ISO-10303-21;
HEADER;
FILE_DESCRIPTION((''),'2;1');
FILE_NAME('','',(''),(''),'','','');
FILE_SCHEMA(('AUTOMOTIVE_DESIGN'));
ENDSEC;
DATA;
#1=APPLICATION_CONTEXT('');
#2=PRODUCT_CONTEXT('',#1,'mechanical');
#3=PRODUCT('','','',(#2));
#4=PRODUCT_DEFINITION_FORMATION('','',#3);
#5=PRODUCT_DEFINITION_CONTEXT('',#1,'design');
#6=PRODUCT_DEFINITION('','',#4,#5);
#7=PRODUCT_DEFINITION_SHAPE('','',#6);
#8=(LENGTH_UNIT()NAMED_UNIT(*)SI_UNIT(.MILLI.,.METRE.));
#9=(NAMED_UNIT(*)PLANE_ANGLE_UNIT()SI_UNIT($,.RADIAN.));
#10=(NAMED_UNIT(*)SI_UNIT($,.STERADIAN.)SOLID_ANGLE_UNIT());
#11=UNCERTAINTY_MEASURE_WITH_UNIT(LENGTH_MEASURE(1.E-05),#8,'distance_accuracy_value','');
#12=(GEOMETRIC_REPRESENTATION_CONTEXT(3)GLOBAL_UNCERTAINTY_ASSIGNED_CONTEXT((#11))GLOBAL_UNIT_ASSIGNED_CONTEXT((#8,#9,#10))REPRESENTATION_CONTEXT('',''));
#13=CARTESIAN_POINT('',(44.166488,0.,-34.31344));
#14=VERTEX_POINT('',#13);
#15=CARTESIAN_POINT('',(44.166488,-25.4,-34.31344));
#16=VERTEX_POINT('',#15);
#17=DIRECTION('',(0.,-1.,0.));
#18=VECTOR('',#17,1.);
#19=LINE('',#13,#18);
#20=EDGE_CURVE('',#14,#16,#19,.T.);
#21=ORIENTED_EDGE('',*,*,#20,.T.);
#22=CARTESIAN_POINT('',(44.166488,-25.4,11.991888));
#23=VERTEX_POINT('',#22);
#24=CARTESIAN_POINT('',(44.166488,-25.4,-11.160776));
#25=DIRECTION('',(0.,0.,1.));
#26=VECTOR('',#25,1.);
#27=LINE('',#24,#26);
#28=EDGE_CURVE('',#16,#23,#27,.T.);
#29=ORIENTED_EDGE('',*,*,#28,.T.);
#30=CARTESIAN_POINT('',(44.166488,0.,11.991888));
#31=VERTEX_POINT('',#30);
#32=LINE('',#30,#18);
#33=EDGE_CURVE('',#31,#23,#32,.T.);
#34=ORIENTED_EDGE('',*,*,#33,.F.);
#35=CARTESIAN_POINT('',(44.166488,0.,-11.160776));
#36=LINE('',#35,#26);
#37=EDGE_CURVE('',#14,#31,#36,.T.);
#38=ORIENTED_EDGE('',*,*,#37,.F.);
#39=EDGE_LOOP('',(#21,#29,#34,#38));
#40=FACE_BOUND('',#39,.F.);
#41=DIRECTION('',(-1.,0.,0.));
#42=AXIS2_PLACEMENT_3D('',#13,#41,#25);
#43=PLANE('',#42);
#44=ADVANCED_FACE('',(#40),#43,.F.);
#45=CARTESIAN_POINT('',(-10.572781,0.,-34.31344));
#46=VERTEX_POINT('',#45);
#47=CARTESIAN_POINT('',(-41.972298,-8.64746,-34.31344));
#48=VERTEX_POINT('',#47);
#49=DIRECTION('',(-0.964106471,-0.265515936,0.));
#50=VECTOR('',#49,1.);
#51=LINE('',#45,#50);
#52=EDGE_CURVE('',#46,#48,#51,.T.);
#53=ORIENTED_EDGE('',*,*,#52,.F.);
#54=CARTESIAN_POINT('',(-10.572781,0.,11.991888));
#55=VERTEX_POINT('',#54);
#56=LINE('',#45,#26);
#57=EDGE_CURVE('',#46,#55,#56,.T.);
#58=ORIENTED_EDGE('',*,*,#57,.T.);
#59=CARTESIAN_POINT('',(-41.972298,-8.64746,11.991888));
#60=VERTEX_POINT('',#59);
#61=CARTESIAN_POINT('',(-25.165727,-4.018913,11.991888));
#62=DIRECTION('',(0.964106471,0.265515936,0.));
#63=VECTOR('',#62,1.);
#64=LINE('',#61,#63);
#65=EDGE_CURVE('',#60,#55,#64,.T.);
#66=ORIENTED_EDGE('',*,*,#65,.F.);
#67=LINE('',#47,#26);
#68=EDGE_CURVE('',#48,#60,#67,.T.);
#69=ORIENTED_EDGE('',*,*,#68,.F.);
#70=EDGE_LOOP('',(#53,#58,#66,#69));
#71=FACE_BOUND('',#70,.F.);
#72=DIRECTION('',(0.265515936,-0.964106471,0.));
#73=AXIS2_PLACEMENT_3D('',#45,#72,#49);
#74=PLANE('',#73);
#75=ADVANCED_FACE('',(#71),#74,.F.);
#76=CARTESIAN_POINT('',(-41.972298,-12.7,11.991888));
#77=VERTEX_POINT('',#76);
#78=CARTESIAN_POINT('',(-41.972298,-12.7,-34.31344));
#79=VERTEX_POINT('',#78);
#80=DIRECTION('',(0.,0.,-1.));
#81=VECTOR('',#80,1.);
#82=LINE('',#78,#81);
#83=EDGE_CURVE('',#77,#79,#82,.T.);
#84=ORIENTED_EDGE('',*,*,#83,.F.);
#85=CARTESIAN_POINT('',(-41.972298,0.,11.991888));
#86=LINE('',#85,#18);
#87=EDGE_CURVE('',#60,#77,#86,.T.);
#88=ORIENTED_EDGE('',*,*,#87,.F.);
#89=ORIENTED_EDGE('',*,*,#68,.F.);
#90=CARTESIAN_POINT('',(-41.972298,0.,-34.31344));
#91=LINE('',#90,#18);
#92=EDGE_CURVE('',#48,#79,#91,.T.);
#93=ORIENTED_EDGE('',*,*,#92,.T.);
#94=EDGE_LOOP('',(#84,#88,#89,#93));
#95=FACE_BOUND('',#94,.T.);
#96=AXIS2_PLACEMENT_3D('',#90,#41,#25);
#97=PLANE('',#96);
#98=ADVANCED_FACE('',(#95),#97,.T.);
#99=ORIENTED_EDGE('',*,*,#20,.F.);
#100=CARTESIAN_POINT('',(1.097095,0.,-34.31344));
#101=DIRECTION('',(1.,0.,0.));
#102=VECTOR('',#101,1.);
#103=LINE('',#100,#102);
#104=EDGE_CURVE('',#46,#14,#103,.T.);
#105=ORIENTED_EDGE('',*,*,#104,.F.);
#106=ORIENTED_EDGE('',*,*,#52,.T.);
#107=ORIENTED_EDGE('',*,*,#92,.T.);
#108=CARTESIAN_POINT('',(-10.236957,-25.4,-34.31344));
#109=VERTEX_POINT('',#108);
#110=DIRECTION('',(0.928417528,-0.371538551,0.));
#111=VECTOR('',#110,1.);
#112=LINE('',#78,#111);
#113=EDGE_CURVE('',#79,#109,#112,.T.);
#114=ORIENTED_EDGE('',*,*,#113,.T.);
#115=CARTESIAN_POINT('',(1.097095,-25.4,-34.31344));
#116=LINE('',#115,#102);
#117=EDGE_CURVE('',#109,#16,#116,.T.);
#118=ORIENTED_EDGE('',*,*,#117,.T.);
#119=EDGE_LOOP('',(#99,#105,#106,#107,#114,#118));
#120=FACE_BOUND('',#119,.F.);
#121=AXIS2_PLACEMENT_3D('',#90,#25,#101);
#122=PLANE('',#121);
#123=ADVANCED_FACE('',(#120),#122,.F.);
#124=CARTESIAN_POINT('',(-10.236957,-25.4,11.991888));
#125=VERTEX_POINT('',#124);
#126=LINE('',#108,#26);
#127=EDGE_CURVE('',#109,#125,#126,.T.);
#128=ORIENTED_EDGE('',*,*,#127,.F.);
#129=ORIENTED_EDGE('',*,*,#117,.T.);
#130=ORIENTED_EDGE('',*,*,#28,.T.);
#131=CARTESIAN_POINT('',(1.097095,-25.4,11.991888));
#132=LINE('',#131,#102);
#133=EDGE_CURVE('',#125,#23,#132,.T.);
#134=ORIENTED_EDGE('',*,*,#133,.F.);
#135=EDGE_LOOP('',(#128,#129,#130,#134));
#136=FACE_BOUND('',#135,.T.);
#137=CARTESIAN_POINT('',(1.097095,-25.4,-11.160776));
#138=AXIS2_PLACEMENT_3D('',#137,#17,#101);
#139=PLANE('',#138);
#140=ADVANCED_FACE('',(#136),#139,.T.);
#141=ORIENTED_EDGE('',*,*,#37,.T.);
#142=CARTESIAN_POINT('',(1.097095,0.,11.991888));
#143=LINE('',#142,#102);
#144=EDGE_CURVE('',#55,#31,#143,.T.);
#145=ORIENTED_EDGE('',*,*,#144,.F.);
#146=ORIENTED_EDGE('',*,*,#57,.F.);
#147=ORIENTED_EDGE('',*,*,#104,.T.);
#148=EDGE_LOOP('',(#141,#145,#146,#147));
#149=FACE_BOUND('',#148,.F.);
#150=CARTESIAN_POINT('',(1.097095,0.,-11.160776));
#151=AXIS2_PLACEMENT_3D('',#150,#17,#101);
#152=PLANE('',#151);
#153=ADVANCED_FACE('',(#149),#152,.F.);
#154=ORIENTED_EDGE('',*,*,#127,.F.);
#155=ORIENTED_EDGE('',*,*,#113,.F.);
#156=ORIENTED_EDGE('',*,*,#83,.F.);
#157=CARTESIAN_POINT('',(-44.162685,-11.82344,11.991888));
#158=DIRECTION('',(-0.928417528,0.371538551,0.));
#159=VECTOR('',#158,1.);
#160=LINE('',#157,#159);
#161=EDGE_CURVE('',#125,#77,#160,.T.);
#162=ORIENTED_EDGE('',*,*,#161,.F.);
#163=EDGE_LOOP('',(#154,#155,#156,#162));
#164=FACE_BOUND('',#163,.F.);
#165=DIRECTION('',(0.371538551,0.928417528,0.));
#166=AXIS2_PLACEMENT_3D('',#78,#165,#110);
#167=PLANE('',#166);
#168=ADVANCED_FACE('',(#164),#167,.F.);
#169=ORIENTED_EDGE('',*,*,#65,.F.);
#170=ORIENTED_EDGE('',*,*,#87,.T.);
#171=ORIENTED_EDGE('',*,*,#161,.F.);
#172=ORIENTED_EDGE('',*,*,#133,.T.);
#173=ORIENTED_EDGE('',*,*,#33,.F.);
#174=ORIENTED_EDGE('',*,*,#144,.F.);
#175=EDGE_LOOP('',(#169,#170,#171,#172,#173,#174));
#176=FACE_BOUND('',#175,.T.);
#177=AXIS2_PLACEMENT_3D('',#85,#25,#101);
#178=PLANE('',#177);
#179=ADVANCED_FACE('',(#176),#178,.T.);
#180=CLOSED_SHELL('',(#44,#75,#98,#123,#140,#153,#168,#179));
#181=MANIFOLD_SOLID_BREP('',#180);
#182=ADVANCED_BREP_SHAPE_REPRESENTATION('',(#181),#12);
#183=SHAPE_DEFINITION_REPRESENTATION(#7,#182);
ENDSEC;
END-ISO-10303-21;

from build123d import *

# Parameters (mm, degrees)
F0_W     = 86.138785
F0_H     = 46.305328
F1_DEPTH = 25.4
F3_DEPTH = 48.26
F5_DEPTH = 50.8


with BuildPart() as f1:
    # F0 (on Front) → F1 (new body)
    with BuildSketch(Plane.XZ):
        with Locations((1.097095, -11.160776)):
            Rectangle(F0_W, F0_H)
    extrude(amount=F1_DEPTH)

    # F2 (on face) → F3 (cut)
    with BuildSketch(Plane(origin=(0, 0, -34.31344), x_dir=(1, 0, 0), z_dir=(0, 0, -1))):
        Polygon((-41.972298, 12.7), (-10.236957, 25.4), (-41.972298, 25.4), align=None)
    extrude(amount=-F3_DEPTH, mode=Mode.SUBTRACT)

    # F4 (on face) → F5 (cut)
    with BuildSketch(Plane(origin=(0, 0, -34.31344), x_dir=(1, 0, 0), z_dir=(0, 0, -1))):
        Polygon((-41.972298, 0), (-10.572781, 0), (-41.972298, 8.64746), align=None)
    extrude(amount=-F5_DEPTH, mode=Mode.SUBTRACT)


solid = f1.part
